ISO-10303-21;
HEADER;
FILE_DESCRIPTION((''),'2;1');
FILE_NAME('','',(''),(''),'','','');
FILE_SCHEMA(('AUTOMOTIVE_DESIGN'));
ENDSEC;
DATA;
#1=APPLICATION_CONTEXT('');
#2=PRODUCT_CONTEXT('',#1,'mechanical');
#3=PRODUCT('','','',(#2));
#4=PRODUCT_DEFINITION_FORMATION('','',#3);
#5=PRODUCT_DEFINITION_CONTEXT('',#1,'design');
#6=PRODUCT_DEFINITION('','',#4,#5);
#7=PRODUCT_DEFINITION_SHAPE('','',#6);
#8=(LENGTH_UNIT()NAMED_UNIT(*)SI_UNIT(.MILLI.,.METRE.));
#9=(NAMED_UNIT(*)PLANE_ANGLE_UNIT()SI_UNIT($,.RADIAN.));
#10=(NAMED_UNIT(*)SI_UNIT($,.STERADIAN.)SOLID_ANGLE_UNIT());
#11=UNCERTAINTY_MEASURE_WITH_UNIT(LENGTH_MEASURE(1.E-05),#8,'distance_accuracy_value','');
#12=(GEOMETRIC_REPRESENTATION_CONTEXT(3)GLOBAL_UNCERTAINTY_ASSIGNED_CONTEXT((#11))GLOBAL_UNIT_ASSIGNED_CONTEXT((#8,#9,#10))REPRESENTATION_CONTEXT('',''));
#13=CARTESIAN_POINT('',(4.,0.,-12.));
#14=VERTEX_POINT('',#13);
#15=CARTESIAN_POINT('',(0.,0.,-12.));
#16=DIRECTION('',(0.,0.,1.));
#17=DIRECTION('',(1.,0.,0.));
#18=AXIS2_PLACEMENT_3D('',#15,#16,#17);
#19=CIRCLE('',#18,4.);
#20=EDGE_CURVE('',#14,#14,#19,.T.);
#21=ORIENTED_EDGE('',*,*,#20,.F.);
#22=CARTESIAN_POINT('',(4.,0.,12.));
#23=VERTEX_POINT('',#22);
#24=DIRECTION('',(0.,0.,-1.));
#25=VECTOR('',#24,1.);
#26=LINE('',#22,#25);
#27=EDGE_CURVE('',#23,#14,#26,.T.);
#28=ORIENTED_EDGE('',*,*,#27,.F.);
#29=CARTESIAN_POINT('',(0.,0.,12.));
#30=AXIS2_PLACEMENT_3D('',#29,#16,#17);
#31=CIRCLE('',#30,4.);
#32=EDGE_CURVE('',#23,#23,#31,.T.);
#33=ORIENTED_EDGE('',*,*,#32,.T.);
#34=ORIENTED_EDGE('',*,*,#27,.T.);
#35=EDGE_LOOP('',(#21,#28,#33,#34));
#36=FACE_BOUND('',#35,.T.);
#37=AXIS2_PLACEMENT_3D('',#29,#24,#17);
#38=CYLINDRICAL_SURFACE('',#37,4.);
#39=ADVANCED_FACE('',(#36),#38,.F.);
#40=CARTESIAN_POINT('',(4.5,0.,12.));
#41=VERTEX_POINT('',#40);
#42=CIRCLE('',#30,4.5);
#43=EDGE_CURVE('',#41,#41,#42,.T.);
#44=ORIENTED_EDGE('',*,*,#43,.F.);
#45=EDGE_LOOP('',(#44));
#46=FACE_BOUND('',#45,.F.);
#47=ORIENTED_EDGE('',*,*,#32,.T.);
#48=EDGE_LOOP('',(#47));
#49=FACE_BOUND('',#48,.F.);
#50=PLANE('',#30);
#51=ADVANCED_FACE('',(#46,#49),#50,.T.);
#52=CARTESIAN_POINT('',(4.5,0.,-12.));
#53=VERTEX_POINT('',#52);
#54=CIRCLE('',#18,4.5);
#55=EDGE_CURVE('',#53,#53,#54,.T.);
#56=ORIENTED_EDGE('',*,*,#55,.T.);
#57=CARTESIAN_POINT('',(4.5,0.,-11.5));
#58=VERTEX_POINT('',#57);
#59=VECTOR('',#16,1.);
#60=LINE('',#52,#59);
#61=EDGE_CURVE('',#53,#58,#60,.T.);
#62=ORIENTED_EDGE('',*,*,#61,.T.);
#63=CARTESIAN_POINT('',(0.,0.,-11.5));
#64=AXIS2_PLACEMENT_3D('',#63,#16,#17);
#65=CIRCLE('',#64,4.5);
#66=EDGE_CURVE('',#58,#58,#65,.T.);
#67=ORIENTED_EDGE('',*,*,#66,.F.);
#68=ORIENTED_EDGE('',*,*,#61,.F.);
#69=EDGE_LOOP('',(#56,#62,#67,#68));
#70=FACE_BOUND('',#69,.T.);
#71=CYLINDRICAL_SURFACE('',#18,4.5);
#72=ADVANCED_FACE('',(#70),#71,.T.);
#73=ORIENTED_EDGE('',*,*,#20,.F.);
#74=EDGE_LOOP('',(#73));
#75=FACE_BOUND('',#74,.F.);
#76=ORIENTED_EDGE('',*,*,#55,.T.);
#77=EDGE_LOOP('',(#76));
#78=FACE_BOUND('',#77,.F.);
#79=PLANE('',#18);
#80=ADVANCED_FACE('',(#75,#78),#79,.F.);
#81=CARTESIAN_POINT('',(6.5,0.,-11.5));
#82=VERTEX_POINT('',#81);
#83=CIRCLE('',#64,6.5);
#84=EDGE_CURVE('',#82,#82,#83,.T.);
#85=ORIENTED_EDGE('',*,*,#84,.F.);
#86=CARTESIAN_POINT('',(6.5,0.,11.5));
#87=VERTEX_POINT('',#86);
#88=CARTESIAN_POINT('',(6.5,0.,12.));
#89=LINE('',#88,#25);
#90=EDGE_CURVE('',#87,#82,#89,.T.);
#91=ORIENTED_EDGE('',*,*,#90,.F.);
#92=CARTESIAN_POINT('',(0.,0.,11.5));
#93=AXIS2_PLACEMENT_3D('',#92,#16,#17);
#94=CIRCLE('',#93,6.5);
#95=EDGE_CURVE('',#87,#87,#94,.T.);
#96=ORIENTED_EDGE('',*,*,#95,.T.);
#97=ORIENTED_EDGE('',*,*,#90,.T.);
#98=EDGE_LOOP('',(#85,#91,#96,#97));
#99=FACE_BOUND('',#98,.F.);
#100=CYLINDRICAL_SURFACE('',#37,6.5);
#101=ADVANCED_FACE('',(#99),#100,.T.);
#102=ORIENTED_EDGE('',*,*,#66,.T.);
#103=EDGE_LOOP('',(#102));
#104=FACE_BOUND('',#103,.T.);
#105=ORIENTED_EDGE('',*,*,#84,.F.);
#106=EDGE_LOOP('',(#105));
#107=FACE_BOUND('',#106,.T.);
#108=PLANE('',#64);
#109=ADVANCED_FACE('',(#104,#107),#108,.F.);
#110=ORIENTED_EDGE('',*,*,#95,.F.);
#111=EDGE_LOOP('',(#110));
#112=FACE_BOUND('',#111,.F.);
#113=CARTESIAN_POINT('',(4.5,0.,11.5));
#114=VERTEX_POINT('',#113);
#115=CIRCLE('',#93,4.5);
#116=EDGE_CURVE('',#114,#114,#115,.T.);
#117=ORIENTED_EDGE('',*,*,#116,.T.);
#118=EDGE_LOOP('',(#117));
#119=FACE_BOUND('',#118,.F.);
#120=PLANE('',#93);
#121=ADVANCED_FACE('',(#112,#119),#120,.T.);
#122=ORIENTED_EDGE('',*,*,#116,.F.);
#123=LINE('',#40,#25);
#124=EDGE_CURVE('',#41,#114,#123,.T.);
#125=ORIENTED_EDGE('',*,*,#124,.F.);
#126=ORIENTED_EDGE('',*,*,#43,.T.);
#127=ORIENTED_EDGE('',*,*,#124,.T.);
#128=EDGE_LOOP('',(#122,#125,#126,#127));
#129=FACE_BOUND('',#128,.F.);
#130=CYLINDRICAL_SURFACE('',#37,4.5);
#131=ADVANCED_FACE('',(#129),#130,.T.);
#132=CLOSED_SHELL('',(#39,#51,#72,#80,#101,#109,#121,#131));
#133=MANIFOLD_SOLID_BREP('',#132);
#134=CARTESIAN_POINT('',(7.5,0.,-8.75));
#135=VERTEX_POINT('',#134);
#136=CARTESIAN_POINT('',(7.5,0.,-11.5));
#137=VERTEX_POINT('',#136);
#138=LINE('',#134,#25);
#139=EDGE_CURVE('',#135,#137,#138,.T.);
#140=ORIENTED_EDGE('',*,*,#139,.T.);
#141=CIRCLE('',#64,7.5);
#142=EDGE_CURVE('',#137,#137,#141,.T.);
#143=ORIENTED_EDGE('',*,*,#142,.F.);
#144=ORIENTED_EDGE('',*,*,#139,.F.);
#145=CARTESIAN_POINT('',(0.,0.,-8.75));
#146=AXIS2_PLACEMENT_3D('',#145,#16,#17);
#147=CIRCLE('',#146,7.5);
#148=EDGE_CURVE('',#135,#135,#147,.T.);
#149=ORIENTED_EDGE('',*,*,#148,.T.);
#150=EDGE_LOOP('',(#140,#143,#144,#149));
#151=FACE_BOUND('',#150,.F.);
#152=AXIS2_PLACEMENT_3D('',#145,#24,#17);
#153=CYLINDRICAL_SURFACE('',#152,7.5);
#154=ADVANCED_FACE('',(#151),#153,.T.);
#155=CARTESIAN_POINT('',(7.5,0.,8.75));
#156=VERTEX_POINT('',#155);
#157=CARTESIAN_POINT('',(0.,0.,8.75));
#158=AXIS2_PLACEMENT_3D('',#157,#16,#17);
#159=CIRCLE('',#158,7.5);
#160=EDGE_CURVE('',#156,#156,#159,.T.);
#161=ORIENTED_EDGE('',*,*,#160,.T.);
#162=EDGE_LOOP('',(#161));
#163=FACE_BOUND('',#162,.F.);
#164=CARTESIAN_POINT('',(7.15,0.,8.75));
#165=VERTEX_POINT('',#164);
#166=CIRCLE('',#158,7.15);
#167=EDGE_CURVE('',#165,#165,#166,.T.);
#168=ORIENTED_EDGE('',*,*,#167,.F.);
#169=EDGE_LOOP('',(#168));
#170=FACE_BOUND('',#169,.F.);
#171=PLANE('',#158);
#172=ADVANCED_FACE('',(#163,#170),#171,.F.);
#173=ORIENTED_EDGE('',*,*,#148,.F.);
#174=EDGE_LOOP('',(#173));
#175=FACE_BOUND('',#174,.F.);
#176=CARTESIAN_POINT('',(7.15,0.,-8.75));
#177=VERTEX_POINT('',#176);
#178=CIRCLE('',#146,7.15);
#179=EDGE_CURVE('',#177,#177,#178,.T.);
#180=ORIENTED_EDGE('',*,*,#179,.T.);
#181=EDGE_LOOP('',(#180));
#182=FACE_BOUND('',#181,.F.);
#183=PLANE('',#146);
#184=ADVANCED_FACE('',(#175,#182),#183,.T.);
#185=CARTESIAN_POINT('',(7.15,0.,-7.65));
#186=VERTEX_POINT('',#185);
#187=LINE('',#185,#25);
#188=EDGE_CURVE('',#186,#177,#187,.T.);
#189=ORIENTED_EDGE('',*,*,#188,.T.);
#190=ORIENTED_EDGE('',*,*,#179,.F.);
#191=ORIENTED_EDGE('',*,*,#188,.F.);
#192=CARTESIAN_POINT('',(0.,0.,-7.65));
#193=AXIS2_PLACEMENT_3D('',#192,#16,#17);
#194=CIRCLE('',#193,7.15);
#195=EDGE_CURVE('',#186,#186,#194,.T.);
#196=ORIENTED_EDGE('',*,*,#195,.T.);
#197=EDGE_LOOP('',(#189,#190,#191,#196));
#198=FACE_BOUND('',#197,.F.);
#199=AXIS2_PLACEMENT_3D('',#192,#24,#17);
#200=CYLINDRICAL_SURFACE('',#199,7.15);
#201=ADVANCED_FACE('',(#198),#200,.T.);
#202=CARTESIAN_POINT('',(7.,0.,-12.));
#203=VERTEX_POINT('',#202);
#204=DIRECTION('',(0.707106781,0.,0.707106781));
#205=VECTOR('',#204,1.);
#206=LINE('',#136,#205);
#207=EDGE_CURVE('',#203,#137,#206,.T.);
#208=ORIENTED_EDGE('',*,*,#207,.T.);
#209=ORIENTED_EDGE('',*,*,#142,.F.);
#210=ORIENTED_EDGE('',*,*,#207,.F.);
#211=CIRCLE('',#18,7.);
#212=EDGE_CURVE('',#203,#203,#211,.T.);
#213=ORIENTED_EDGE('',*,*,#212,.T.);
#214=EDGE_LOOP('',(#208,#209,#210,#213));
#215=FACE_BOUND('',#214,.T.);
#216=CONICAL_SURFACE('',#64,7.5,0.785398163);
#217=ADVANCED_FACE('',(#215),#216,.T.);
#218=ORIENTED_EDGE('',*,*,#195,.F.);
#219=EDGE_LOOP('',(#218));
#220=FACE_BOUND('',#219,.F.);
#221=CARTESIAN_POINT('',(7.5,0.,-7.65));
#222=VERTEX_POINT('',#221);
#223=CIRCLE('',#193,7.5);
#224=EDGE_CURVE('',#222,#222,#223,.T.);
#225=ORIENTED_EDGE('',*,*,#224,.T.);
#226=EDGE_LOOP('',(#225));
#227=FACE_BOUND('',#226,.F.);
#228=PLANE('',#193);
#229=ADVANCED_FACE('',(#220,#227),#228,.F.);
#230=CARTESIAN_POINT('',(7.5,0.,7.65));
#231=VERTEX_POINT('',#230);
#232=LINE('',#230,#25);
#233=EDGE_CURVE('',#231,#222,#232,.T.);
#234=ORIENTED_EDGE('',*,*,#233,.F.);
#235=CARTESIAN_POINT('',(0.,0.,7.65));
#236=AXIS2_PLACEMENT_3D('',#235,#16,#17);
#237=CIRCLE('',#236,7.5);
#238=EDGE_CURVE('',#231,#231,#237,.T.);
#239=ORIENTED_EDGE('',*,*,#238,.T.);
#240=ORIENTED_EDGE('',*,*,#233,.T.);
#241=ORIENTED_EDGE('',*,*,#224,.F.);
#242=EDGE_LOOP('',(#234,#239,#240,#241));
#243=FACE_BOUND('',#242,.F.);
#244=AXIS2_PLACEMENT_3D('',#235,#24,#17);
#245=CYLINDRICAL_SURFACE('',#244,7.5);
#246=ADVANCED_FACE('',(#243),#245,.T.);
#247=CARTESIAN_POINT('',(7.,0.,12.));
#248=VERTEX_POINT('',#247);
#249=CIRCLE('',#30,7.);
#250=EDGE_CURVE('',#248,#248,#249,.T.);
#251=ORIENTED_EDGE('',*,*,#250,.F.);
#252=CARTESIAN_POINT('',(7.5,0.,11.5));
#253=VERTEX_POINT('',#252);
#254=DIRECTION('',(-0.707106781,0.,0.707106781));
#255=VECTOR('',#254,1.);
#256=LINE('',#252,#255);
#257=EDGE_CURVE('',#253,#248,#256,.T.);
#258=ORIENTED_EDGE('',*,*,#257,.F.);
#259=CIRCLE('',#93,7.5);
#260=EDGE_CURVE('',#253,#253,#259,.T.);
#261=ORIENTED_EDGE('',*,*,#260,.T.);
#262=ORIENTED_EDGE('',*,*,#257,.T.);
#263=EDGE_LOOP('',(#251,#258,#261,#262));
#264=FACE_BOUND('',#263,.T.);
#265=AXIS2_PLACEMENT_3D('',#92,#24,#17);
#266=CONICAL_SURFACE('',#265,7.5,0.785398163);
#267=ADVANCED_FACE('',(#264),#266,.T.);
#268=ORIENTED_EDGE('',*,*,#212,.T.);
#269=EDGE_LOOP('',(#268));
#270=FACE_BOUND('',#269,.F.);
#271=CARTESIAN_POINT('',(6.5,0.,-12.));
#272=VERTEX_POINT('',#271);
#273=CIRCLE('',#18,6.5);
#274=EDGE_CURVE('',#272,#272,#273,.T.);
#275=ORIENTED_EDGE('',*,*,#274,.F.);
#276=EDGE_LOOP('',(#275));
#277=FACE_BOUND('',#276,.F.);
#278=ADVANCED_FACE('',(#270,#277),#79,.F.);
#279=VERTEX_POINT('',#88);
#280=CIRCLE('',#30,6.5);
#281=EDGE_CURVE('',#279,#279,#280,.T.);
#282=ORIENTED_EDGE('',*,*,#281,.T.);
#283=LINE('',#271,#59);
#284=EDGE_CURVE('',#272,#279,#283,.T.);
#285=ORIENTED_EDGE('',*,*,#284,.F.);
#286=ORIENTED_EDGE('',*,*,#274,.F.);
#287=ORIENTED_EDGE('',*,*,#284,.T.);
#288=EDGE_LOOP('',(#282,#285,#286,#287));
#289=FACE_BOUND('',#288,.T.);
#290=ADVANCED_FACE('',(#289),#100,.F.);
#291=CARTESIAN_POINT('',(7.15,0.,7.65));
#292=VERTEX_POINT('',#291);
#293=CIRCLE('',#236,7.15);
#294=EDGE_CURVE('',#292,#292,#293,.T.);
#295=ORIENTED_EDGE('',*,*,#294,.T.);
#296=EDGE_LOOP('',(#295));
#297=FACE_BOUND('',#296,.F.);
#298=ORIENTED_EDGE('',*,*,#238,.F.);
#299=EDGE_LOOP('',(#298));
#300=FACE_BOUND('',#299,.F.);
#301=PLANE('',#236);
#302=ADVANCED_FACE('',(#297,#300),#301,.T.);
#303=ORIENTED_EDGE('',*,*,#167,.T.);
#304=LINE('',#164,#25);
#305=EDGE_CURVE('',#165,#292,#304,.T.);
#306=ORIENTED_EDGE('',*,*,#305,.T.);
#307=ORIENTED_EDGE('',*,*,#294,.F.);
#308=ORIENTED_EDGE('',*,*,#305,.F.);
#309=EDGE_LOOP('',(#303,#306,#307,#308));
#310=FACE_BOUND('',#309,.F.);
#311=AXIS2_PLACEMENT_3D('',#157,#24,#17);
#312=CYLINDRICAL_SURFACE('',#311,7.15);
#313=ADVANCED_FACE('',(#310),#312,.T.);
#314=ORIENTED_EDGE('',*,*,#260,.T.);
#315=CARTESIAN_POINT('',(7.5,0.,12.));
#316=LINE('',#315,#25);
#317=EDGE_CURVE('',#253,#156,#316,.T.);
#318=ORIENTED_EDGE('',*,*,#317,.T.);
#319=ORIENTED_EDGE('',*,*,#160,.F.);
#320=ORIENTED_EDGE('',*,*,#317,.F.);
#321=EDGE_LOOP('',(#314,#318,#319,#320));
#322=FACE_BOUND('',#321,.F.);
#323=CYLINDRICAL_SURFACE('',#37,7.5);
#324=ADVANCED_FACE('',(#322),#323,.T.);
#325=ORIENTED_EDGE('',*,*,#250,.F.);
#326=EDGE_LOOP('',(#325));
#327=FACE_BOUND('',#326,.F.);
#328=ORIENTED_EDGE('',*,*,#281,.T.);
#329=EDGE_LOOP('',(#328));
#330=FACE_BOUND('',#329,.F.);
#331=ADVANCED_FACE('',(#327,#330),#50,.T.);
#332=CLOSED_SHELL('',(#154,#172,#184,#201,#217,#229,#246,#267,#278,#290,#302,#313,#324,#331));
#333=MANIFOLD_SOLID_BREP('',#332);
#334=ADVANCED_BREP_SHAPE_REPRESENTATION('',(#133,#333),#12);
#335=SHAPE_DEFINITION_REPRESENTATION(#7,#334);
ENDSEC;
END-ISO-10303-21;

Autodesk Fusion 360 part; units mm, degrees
sketch "スケッチ1" plane through (0, 0, 0) normal (0, 1, 0) x (1, 0, 0)
  line L0 (0, 0) -> (0, -12)
  line L1 (0, -12) -> (7.5, -12)
  line L2 (7.5, -12) -> (7.5, -8.75)
  line L3 (7.5, -8.75) -> (7.15, -8.75)
  line L4 (7.15, -8.75) -> (7.15, -7.65)
  line L5 (7.15, -7.65) -> (7.5, -7.65)
  line L6 (7.5, -7.65) -> (7.5, 7.65)
  line L7 (7.5, 7.65) -> (7.15, 7.65)
  line L8 (7.15, 7.65) -> (7.15, 8.75)
  line L9 (7.15, 8.75) -> (7.5, 8.75)
  line L10 (7.5, 8.75) -> (7.5, 12)
  line L11 (7.5, 12) -> (0, 12)
  line L12 (0, 12) -> (0, 0)
  line L13 (6.5, -12) -> (6.5, 12)
  line L14 (4.5, -12) -> (4.5, -11.5)
  line L15 (4.5, -11.5) -> (6.5, -11.5)
  line L16 (4, -12) -> (4, 12)
  line L17 (4.5, 12) -> (4.5, 11.5)
  line L18 (4.5, 11.5) -> (6.5, 11.5)
  dimension "d1" = 7.5
  dimension "d2" = 12
  dimension "d3" = 12
  dimension "d4" = 7.15
  dimension "d5" = 3.25
  dimension "d6" = 1.1
  dimension "d7" = 3.25
  dimension "d8" = 1.1
  dimension "d9" = 6.5
  dimension "d10" = 4
  dimension "d11" = 0.5
  dimension "d12" = 0.5
  dimension "d13" = 0.5
revolve "回転1" add sketch "スケッチ1" angle 360 about axis through (0, 0, 0) along (0, 0, 1) contours L1 L11 L13 L14 L15 L16 L17 L18 makes body 1
revolve "回転2" add sketch "スケッチ1" angle 360 about axis through (0, 0, 1.75) along (0, 0, 1) separate body contours L1 L2 L3 L4 L5 L6 L7 L8 L9 L10 L11 L13 makes body 2
chamfer "面取り1" distance 0.5 angle 45 2 edges at (-6.9925, -2.7121, 12) (-6.9925, -2.7121, -12) on bodies 2
equation "d3 = d2"
equation "d7 = d5"
equation "d8 = d6"
equation "d13 = d12"
